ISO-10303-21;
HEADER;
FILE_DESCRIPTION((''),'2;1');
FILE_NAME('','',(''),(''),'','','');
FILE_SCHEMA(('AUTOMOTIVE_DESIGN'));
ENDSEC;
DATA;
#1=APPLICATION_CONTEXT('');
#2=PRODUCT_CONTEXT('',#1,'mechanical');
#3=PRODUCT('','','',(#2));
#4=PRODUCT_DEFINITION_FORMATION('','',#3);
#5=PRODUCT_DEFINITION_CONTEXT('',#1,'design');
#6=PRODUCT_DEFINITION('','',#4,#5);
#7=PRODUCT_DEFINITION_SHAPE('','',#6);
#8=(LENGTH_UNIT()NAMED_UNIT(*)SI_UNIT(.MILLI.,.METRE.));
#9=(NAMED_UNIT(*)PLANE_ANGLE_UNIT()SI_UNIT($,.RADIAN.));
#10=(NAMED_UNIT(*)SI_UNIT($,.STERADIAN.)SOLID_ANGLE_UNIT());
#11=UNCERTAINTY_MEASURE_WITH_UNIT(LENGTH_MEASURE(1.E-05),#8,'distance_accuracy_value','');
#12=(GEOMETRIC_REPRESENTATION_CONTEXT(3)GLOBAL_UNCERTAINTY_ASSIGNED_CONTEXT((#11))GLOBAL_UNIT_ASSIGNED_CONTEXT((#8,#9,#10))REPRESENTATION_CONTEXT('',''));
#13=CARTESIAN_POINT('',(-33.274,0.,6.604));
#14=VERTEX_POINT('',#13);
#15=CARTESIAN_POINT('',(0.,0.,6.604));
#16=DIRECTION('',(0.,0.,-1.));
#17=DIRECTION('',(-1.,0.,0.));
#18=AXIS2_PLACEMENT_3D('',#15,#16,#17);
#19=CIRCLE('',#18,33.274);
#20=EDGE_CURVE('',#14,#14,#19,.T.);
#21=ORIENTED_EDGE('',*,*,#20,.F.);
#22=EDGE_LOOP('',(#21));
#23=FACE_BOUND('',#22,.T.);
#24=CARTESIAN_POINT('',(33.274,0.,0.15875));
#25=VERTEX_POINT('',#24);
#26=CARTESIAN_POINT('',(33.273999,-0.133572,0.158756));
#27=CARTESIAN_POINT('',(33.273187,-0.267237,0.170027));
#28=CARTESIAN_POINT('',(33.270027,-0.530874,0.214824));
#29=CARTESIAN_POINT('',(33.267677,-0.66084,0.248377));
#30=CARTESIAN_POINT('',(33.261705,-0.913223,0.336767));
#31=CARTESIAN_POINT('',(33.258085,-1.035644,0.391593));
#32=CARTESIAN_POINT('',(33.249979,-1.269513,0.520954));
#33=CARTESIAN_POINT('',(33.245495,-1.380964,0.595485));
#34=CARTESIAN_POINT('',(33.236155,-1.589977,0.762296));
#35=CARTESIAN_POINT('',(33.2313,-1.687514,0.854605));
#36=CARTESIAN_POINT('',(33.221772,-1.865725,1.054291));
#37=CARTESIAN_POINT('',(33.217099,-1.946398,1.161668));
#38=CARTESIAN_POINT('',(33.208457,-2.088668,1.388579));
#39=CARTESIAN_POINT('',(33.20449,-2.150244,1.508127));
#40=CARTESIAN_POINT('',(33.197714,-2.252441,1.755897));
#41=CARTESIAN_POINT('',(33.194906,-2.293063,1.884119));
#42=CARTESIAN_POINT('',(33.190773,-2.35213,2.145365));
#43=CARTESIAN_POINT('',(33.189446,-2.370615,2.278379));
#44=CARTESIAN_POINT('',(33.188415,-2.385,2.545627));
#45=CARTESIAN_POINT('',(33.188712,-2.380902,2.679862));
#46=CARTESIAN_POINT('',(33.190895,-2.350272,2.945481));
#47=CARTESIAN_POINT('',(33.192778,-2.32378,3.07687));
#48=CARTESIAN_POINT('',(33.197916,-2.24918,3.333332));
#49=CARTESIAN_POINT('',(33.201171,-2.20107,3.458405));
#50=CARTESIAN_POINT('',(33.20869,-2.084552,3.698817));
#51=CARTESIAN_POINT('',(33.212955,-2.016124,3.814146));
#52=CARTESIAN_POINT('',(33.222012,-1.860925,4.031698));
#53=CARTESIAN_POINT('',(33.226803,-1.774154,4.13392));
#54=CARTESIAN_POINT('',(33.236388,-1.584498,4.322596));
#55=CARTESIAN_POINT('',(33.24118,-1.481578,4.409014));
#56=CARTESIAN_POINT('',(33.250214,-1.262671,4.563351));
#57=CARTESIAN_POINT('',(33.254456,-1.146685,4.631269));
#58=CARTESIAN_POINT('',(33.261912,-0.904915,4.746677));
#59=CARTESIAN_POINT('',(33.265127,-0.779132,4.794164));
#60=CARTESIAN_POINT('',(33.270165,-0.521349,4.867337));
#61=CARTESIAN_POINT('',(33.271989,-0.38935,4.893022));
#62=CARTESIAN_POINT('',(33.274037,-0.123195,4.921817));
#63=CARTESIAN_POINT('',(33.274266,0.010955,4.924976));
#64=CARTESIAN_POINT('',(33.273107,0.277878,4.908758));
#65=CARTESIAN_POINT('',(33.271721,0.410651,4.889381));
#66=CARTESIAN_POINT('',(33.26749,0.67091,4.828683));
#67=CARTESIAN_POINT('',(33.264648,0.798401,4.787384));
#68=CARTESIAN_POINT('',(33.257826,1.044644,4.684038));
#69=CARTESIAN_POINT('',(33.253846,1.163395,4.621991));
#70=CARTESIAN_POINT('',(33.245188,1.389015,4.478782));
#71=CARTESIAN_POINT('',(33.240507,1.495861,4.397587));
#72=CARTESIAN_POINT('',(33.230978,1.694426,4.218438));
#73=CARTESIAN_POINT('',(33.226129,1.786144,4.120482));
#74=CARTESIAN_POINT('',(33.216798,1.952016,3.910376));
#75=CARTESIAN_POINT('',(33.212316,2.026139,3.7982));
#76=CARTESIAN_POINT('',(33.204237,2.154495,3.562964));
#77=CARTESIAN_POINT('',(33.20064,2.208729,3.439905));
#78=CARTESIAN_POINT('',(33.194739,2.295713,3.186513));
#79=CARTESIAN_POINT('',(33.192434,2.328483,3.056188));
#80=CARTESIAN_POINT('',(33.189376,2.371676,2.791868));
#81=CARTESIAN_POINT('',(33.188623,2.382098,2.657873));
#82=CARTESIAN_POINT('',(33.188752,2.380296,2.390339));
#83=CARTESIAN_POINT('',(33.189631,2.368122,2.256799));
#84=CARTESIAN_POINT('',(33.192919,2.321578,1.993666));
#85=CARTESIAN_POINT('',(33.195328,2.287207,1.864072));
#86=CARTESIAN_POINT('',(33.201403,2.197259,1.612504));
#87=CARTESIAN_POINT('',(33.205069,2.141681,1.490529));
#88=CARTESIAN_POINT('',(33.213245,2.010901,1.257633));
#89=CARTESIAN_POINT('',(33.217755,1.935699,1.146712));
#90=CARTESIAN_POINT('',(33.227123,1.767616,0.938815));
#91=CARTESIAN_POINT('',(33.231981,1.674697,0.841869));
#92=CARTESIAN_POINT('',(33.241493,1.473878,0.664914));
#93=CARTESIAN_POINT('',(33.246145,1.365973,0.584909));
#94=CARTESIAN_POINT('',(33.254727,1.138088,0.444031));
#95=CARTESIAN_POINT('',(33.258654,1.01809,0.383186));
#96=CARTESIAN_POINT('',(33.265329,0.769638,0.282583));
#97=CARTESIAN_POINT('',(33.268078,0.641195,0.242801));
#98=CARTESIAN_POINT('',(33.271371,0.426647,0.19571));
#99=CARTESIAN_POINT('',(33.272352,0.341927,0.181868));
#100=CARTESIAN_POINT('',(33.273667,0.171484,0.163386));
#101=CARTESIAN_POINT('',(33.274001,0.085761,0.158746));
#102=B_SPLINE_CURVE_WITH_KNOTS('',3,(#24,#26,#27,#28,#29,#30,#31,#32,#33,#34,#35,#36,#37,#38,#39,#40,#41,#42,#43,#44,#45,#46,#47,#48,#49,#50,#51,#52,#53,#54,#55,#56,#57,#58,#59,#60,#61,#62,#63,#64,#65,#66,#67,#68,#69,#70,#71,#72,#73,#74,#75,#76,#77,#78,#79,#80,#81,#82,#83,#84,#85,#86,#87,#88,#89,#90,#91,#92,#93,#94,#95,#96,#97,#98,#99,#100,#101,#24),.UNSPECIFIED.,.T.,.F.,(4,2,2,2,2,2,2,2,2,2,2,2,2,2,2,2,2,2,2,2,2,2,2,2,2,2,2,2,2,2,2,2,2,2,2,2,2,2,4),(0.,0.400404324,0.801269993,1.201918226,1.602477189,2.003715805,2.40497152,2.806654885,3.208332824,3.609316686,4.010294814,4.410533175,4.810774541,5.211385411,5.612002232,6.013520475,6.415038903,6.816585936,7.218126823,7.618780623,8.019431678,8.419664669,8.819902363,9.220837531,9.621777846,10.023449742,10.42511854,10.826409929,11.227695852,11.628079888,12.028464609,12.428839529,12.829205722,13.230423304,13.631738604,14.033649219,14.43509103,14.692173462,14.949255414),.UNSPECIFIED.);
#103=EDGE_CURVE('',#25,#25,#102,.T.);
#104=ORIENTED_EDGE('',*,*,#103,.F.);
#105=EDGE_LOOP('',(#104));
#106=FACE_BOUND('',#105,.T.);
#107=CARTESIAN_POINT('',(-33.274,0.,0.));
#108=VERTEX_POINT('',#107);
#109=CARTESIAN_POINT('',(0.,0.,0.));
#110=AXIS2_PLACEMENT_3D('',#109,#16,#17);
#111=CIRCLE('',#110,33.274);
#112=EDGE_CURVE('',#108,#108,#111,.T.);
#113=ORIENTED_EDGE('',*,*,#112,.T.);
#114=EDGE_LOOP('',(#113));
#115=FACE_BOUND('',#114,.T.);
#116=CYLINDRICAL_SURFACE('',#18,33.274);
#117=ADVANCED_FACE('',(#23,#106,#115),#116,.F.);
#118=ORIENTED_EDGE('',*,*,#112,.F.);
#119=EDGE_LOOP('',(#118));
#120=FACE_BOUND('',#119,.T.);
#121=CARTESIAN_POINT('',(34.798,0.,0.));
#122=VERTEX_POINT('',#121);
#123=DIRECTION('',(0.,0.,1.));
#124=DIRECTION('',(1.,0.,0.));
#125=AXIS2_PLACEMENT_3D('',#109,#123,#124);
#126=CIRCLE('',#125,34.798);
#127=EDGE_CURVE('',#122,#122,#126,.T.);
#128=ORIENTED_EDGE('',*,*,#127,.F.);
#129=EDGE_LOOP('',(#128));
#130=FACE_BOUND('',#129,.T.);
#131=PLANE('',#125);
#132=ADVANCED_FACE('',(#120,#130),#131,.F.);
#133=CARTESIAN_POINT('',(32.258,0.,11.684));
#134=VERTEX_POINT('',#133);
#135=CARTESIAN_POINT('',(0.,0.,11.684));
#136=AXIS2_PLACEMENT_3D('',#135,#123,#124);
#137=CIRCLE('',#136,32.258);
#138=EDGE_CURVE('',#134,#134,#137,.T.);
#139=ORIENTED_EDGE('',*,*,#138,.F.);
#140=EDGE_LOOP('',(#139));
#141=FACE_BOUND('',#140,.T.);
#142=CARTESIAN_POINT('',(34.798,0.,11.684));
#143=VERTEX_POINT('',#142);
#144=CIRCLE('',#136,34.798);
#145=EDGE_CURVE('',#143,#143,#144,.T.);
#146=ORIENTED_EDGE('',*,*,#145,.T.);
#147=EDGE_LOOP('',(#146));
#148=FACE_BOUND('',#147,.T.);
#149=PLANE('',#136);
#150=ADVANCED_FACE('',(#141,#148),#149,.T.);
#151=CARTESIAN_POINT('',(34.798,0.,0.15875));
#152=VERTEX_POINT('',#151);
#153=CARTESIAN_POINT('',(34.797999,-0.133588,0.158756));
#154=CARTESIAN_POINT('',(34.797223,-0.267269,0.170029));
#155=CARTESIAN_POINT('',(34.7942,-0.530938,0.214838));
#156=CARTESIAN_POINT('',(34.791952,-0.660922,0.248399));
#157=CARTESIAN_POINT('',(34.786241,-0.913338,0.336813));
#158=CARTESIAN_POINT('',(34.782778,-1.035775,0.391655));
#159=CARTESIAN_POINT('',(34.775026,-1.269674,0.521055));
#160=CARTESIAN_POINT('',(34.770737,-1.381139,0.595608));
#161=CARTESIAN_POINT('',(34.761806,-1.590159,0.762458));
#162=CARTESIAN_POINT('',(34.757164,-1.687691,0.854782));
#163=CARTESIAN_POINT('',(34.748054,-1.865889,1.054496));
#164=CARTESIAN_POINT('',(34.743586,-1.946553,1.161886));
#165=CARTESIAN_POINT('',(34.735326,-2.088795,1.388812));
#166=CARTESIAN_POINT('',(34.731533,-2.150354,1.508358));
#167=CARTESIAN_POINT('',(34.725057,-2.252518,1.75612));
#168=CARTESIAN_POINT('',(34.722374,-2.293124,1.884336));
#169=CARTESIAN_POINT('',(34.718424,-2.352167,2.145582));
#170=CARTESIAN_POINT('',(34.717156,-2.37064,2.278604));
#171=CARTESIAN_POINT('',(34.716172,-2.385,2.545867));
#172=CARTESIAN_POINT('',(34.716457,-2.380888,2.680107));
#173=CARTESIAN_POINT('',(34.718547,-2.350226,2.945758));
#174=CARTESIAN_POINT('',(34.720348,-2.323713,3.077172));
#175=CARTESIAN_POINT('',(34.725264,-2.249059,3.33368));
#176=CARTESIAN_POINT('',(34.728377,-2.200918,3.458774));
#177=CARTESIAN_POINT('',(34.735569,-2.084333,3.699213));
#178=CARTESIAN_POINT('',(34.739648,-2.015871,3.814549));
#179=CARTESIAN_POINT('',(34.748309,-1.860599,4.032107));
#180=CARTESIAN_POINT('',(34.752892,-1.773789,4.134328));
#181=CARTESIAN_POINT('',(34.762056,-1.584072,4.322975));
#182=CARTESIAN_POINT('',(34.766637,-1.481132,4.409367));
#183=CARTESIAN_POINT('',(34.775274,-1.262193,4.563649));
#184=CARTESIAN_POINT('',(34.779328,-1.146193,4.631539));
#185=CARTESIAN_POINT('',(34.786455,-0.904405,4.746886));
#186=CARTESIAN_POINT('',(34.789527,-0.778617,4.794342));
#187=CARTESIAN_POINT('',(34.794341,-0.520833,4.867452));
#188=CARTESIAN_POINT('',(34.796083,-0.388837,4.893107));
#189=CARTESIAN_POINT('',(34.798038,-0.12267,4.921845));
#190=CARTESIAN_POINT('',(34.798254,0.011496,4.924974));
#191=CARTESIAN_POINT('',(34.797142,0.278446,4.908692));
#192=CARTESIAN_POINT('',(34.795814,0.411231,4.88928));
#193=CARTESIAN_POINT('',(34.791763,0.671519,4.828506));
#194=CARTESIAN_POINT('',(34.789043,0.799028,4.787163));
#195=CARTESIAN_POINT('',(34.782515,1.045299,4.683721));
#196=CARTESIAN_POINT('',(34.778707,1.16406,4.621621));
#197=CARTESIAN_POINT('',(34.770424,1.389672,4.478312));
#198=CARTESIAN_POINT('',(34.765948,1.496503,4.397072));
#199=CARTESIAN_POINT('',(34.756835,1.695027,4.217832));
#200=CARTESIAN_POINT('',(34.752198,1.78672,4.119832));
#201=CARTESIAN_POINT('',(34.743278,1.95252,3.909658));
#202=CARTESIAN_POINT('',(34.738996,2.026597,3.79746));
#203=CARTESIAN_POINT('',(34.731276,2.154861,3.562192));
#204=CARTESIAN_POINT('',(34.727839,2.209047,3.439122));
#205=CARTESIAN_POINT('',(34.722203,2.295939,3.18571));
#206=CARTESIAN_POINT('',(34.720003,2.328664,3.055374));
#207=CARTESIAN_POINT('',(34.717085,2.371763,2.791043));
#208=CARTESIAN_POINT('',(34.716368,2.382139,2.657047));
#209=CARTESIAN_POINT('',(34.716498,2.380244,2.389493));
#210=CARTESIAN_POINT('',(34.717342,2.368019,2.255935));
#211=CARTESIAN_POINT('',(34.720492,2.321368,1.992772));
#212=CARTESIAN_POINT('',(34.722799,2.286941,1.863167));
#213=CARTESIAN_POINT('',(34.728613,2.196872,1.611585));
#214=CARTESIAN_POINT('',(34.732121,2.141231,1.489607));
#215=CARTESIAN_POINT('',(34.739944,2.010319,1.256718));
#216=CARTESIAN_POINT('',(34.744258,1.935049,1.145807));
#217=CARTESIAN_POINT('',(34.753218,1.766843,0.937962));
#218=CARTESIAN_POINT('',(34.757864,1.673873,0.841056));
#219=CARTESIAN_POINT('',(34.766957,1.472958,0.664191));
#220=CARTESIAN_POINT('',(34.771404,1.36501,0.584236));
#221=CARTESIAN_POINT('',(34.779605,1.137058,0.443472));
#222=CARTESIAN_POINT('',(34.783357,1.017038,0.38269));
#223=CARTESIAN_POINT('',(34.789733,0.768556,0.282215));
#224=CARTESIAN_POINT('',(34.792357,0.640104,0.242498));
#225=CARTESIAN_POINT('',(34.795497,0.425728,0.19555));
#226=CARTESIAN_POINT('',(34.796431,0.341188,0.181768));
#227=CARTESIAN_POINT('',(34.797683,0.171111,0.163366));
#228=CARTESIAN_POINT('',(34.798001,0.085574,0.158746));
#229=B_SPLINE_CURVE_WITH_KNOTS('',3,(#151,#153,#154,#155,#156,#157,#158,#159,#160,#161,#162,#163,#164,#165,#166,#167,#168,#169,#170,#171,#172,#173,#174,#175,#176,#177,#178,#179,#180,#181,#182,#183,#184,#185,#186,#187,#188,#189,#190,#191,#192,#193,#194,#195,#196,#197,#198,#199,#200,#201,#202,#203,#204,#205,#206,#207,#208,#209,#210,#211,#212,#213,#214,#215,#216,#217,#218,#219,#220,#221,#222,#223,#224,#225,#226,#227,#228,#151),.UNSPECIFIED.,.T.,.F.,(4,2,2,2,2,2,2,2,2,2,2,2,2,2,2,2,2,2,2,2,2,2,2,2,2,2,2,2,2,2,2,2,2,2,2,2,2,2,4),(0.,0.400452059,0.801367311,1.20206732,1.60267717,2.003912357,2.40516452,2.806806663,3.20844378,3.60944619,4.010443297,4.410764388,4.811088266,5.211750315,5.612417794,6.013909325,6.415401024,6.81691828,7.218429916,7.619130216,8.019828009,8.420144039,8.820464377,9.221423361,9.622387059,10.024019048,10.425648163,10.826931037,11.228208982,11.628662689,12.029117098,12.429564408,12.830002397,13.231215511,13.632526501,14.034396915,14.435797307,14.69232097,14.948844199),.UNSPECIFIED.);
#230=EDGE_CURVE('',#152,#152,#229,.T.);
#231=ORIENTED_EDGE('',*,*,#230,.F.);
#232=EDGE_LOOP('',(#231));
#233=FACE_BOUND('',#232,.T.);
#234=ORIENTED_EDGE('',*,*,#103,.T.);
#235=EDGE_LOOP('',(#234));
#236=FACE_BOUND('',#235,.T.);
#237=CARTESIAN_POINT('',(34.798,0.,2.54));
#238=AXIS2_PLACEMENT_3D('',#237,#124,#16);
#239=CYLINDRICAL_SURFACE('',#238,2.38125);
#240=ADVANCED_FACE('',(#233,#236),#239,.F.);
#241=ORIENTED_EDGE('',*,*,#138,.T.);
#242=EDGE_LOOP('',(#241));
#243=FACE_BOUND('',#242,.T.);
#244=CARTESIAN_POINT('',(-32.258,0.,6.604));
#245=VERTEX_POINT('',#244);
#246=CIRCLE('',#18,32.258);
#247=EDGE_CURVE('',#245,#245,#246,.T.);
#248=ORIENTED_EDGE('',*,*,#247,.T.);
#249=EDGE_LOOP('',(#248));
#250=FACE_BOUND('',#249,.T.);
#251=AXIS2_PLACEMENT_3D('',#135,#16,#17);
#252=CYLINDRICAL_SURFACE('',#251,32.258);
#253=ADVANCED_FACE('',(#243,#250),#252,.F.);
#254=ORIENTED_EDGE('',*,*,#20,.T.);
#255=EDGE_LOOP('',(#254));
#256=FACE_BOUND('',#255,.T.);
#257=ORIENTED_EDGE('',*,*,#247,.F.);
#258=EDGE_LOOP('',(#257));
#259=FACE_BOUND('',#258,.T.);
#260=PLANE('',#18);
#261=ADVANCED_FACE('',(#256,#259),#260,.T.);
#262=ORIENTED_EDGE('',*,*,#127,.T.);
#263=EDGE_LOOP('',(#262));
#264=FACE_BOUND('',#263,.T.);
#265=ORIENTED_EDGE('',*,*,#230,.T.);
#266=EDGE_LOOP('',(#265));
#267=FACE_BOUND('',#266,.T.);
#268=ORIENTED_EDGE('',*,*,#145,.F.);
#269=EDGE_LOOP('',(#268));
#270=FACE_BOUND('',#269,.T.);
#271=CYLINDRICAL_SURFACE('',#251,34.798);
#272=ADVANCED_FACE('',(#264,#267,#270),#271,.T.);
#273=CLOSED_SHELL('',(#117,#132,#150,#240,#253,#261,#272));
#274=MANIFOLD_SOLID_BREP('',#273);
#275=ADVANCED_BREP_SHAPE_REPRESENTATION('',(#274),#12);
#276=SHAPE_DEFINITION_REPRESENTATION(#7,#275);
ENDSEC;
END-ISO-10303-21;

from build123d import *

# Parameters (mm, degrees)
SKETCH1_R                          = 34.798
SKETCH1_R_2                        = 32.258
BOSS_EXTRUDE1_DEPTH                = 11.684
F_3_16_0_1875_DIAMETER_HOLE1_D     = 4.7625
F_3_16_0_1875_DIAMETER_HOLE1_DEPTH = 54.102
F_3_16_0_1875_DIAMETER_HOLE1_TIP   = 1.430799349
SKETCH3_R                          = 33.274
SKETCH3_R_2                        = 32.258
CUT_EXTRUDE1_DEPTH                 = 6.604


with BuildPart() as part:
    # Sketch1 → Boss-Extrude1 (new body)
    with BuildSketch(Plane.XY):
        Circle(SKETCH1_R)
        Circle(SKETCH1_R_2, mode=Mode.SUBTRACT)
    extrude(amount=BOSS_EXTRUDE1_DEPTH)

    # 3/16 (0.1875) Diameter Hole1
    with Locations(Plane(origin=(34.798, 0, 2.54), x_dir=(0, 1, 0), z_dir=(1, 0, 0))):
        with Locations((0, 0)):
            Hole(F_3_16_0_1875_DIAMETER_HOLE1_D / 2, depth=F_3_16_0_1875_DIAMETER_HOLE1_DEPTH)
            with Locations((0, 0, -(F_3_16_0_1875_DIAMETER_HOLE1_DEPTH + F_3_16_0_1875_DIAMETER_HOLE1_TIP / 2))):  # 118° drill point
                Cone(0, F_3_16_0_1875_DIAMETER_HOLE1_D / 2, F_3_16_0_1875_DIAMETER_HOLE1_TIP, mode=Mode.SUBTRACT)

    # Sketch3 → Cut-Extrude1 (cut)
    with BuildSketch(Plane(origin=(0, 0, 0), x_dir=(-1, 0, 0), z_dir=(0, 0, -1))):
        Circle(SKETCH3_R)
        Circle(SKETCH3_R_2, mode=Mode.SUBTRACT)
    extrude(amount=-CUT_EXTRUDE1_DEPTH, mode=Mode.SUBTRACT)


solid = part.part
